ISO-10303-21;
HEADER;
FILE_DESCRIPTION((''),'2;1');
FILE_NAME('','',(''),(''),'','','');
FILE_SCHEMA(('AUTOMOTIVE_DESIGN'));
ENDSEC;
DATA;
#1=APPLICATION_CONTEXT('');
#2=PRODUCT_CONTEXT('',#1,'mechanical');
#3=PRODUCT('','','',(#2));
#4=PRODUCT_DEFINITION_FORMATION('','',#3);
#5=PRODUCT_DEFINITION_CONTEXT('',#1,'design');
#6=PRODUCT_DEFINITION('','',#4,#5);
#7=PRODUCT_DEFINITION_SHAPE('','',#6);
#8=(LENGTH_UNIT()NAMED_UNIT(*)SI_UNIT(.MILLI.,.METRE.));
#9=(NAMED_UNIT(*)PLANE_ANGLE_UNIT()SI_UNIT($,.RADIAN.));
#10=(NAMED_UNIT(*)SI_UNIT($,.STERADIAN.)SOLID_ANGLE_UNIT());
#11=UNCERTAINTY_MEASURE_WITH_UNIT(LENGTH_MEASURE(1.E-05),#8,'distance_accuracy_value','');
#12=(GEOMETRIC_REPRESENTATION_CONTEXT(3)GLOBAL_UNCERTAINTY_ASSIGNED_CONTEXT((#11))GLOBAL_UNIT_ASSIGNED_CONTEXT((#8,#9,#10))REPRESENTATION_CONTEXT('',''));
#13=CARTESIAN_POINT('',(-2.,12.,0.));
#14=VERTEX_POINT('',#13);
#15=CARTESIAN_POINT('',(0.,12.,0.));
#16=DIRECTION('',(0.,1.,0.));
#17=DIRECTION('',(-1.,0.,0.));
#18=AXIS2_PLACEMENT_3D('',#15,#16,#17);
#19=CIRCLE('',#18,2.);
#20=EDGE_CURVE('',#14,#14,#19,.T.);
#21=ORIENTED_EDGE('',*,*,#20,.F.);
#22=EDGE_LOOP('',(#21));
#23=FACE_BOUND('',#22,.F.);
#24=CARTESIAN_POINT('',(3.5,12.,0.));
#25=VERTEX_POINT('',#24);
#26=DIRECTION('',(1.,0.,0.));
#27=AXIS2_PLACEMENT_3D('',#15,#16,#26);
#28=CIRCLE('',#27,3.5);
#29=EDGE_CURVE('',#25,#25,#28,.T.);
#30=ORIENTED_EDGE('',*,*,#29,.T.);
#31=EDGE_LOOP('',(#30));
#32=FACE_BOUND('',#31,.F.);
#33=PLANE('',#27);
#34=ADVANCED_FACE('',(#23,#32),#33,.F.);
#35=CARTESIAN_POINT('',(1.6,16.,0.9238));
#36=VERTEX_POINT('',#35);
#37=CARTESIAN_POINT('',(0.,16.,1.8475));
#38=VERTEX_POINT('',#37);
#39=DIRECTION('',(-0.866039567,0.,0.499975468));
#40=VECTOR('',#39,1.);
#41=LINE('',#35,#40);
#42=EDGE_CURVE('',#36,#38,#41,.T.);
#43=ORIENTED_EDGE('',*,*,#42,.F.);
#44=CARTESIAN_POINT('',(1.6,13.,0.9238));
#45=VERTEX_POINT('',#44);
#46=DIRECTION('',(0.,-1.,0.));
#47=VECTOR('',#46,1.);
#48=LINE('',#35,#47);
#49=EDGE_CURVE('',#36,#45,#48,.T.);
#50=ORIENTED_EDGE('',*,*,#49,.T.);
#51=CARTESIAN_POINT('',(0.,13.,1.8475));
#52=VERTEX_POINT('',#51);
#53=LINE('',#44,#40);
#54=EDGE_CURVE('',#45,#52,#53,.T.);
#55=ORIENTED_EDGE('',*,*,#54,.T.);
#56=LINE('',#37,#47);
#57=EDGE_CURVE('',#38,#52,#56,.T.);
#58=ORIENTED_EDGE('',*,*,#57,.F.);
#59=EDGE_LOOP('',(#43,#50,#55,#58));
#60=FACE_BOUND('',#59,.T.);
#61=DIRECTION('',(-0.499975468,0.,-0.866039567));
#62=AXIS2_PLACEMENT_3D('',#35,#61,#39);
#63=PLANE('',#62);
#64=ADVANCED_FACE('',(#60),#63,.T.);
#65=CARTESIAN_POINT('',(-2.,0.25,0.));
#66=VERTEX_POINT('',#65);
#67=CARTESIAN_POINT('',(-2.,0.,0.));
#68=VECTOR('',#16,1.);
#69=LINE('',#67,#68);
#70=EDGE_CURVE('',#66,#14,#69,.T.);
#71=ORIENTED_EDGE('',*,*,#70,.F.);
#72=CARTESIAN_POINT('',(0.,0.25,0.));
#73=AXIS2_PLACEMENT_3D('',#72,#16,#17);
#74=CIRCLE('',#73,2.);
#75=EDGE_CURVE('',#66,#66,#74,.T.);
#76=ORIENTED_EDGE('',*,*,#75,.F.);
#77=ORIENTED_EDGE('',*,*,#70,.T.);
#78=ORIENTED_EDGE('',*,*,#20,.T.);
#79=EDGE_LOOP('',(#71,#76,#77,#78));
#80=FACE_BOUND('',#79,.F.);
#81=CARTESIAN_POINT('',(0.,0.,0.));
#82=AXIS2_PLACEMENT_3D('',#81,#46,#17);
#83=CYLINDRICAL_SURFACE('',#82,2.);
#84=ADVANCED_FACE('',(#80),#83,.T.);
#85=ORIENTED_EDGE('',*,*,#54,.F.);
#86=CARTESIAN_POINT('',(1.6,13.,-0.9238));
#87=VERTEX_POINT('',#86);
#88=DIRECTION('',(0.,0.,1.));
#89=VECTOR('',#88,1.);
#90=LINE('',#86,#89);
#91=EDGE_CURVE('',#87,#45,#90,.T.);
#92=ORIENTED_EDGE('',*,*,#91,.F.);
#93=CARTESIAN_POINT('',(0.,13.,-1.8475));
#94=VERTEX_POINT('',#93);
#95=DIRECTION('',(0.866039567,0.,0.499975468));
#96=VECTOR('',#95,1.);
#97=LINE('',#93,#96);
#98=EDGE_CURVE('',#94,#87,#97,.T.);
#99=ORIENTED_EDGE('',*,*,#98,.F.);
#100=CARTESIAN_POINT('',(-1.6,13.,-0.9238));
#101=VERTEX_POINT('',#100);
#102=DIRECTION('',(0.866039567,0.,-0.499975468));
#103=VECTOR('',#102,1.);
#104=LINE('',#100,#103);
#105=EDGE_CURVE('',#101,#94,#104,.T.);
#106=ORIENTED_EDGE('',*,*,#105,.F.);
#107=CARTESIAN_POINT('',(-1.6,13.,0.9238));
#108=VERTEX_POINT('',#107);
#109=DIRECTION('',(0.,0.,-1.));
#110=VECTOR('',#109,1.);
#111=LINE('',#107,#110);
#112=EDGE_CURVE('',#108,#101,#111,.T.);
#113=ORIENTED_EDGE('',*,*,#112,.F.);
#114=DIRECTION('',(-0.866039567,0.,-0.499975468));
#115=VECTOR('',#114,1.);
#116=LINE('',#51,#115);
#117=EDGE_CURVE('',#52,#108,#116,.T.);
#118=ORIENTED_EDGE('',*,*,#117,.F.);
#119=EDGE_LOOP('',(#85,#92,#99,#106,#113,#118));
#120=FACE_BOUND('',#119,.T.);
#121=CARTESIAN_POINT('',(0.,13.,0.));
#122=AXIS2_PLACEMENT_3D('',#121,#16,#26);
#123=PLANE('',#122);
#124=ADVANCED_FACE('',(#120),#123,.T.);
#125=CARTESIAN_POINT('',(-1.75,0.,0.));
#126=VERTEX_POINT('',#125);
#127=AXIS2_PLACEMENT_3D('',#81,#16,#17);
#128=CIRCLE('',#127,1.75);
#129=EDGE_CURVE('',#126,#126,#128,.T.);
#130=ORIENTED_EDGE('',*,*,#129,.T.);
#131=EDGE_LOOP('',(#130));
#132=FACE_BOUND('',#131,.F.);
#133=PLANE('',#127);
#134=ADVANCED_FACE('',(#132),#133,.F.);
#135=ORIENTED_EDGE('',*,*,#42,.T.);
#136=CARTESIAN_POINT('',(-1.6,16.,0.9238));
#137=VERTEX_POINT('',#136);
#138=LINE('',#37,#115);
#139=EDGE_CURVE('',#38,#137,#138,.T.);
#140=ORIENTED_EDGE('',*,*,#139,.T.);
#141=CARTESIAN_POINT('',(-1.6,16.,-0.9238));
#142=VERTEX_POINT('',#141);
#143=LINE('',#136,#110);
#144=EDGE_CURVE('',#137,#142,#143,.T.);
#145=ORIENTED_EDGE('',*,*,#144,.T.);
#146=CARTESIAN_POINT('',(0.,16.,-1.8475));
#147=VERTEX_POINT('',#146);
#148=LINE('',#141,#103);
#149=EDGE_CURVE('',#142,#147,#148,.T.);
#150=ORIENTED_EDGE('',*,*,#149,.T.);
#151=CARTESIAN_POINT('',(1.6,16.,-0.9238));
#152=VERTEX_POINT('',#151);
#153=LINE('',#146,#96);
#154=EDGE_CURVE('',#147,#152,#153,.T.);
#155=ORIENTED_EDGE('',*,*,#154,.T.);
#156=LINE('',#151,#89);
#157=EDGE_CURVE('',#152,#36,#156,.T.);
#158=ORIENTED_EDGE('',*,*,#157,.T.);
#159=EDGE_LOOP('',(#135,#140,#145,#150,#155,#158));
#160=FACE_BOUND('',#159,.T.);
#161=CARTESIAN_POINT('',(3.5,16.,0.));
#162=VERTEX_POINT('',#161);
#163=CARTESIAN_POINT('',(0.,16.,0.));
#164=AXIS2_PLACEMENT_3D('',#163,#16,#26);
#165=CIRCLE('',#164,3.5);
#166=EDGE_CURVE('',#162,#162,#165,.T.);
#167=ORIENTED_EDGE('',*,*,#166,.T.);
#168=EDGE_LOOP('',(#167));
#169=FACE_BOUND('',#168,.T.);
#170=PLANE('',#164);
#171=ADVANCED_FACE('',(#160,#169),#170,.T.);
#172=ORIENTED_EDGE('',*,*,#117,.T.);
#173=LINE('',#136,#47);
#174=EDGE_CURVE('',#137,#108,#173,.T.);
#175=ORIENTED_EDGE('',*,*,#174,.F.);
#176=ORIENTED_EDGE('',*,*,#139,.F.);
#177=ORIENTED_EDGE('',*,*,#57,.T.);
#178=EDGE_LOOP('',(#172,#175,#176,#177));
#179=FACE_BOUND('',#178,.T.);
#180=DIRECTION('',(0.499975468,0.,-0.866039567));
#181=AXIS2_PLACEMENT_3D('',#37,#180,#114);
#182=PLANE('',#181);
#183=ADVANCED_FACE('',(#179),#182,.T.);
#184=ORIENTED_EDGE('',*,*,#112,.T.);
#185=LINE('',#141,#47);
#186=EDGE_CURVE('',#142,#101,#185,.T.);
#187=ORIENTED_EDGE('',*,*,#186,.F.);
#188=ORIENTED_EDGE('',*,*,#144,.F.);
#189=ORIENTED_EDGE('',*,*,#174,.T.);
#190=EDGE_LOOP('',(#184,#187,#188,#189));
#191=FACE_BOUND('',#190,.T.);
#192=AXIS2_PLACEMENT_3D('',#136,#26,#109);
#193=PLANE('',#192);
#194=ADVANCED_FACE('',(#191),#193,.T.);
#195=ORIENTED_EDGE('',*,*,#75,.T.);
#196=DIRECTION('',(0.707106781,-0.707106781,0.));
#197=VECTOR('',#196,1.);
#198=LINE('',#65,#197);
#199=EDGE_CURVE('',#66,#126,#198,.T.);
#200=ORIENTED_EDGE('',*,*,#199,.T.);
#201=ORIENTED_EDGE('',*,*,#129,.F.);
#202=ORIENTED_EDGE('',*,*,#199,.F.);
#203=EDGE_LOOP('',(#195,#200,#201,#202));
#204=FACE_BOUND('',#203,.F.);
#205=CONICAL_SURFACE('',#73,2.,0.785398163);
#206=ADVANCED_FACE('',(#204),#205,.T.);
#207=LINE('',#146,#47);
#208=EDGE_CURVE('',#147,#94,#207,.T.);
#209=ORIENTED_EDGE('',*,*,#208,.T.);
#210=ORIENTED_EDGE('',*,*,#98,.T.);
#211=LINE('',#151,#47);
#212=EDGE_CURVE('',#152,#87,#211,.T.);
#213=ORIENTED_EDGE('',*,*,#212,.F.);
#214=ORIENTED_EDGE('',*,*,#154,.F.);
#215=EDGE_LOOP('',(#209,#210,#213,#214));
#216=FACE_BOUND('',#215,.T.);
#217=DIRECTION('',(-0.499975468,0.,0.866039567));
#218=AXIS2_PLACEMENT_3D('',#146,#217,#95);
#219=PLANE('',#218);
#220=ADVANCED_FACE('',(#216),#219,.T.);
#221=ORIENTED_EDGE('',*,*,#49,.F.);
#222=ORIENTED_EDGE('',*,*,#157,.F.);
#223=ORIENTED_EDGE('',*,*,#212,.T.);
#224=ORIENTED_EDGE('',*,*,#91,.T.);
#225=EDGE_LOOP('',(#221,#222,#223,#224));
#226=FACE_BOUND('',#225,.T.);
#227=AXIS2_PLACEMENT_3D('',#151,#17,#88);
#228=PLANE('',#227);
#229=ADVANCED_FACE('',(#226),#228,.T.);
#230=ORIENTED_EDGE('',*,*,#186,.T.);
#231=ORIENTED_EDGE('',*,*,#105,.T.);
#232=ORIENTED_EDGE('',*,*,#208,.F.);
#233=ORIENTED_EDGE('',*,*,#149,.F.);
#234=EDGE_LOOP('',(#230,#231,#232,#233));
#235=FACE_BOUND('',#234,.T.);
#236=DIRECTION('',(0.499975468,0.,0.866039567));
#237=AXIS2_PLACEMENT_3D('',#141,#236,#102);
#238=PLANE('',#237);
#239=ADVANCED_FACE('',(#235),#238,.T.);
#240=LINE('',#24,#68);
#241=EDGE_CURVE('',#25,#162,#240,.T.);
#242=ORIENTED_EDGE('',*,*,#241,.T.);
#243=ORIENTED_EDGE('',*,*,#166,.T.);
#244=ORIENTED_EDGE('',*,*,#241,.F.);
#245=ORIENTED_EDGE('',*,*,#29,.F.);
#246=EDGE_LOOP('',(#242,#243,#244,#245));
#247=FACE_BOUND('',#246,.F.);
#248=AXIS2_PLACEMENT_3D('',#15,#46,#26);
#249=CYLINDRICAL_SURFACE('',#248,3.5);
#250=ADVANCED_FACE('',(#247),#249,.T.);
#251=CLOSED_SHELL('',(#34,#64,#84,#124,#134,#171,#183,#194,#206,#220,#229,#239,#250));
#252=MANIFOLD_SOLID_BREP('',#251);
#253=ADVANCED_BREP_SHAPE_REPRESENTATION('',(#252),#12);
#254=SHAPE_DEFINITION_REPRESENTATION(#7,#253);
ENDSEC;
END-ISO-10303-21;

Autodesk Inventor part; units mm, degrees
ref_plane "YZ Plane" through (0, 0, 0) normal (1, 0, 0) x (0, 1, 0)
ref_plane "XZ Plane" through (0, 0, 0) normal (0, 1, 0) x (-1, 0, 0)
ref_plane "XY Plane" through (0, 0, 0) normal (0, 0, 1) x (1, 0, 0)
sketch "Sketch1" plane through (0, 0, 0) normal (0, 1, 0) x (-1, 0, 0)
  circle A0 centre (0, 0) radius 2
  dimension "d0" = 4
extrude "Extrusion1" add sketch "Sketch1" along normal blind 12
sketch "Sketch2" plane through (0, 12, 0) normal (0, 1, 0) x (1, 0, 0)
  circle A0 centre (0, 0) radius 2 projected
  circle A1 centre (0, 0) radius 3.5
  dimension "d3" = 7
extrude "Extrusion2" add sketch "Sketch2" along normal blind 4 contours A0 | A1
sketch "Sketch3" plane through (0, 16, 0) normal (0, 1, 0) x (1, 0, 0)
  circle A0 centre (0, 0) radius 3.5 projected
  line L0 (0, 1.8475) -> (1.6, 0.9238)
  line L1 (1.6, 0.9238) -> (1.6, -0.9238)
  line L2 (1.6, -0.9238) -> (0, -1.8475)
  line L3 (0, -1.8475) -> (-1.6, -0.9238)
  line L4 (-1.6, -0.9238) -> (-1.6, 0.9238)
  line L5 (-1.6, 0.9238) -> (0, 1.8475)
  dimension "d6" = 1.6
extrude "Extrusion3" cut sketch "Sketch3" against normal blind 3 contours L0 L1 L2 L3 L4 L5
thread "Thread1" size "M4x0.7" class "6g" standard "ANSI Metric M Profile" full length
chamfer "Chamfer1" distance 0.25 angle 45 1 edges at (2, 0, 0)
properties part number "SHCS4x12"
